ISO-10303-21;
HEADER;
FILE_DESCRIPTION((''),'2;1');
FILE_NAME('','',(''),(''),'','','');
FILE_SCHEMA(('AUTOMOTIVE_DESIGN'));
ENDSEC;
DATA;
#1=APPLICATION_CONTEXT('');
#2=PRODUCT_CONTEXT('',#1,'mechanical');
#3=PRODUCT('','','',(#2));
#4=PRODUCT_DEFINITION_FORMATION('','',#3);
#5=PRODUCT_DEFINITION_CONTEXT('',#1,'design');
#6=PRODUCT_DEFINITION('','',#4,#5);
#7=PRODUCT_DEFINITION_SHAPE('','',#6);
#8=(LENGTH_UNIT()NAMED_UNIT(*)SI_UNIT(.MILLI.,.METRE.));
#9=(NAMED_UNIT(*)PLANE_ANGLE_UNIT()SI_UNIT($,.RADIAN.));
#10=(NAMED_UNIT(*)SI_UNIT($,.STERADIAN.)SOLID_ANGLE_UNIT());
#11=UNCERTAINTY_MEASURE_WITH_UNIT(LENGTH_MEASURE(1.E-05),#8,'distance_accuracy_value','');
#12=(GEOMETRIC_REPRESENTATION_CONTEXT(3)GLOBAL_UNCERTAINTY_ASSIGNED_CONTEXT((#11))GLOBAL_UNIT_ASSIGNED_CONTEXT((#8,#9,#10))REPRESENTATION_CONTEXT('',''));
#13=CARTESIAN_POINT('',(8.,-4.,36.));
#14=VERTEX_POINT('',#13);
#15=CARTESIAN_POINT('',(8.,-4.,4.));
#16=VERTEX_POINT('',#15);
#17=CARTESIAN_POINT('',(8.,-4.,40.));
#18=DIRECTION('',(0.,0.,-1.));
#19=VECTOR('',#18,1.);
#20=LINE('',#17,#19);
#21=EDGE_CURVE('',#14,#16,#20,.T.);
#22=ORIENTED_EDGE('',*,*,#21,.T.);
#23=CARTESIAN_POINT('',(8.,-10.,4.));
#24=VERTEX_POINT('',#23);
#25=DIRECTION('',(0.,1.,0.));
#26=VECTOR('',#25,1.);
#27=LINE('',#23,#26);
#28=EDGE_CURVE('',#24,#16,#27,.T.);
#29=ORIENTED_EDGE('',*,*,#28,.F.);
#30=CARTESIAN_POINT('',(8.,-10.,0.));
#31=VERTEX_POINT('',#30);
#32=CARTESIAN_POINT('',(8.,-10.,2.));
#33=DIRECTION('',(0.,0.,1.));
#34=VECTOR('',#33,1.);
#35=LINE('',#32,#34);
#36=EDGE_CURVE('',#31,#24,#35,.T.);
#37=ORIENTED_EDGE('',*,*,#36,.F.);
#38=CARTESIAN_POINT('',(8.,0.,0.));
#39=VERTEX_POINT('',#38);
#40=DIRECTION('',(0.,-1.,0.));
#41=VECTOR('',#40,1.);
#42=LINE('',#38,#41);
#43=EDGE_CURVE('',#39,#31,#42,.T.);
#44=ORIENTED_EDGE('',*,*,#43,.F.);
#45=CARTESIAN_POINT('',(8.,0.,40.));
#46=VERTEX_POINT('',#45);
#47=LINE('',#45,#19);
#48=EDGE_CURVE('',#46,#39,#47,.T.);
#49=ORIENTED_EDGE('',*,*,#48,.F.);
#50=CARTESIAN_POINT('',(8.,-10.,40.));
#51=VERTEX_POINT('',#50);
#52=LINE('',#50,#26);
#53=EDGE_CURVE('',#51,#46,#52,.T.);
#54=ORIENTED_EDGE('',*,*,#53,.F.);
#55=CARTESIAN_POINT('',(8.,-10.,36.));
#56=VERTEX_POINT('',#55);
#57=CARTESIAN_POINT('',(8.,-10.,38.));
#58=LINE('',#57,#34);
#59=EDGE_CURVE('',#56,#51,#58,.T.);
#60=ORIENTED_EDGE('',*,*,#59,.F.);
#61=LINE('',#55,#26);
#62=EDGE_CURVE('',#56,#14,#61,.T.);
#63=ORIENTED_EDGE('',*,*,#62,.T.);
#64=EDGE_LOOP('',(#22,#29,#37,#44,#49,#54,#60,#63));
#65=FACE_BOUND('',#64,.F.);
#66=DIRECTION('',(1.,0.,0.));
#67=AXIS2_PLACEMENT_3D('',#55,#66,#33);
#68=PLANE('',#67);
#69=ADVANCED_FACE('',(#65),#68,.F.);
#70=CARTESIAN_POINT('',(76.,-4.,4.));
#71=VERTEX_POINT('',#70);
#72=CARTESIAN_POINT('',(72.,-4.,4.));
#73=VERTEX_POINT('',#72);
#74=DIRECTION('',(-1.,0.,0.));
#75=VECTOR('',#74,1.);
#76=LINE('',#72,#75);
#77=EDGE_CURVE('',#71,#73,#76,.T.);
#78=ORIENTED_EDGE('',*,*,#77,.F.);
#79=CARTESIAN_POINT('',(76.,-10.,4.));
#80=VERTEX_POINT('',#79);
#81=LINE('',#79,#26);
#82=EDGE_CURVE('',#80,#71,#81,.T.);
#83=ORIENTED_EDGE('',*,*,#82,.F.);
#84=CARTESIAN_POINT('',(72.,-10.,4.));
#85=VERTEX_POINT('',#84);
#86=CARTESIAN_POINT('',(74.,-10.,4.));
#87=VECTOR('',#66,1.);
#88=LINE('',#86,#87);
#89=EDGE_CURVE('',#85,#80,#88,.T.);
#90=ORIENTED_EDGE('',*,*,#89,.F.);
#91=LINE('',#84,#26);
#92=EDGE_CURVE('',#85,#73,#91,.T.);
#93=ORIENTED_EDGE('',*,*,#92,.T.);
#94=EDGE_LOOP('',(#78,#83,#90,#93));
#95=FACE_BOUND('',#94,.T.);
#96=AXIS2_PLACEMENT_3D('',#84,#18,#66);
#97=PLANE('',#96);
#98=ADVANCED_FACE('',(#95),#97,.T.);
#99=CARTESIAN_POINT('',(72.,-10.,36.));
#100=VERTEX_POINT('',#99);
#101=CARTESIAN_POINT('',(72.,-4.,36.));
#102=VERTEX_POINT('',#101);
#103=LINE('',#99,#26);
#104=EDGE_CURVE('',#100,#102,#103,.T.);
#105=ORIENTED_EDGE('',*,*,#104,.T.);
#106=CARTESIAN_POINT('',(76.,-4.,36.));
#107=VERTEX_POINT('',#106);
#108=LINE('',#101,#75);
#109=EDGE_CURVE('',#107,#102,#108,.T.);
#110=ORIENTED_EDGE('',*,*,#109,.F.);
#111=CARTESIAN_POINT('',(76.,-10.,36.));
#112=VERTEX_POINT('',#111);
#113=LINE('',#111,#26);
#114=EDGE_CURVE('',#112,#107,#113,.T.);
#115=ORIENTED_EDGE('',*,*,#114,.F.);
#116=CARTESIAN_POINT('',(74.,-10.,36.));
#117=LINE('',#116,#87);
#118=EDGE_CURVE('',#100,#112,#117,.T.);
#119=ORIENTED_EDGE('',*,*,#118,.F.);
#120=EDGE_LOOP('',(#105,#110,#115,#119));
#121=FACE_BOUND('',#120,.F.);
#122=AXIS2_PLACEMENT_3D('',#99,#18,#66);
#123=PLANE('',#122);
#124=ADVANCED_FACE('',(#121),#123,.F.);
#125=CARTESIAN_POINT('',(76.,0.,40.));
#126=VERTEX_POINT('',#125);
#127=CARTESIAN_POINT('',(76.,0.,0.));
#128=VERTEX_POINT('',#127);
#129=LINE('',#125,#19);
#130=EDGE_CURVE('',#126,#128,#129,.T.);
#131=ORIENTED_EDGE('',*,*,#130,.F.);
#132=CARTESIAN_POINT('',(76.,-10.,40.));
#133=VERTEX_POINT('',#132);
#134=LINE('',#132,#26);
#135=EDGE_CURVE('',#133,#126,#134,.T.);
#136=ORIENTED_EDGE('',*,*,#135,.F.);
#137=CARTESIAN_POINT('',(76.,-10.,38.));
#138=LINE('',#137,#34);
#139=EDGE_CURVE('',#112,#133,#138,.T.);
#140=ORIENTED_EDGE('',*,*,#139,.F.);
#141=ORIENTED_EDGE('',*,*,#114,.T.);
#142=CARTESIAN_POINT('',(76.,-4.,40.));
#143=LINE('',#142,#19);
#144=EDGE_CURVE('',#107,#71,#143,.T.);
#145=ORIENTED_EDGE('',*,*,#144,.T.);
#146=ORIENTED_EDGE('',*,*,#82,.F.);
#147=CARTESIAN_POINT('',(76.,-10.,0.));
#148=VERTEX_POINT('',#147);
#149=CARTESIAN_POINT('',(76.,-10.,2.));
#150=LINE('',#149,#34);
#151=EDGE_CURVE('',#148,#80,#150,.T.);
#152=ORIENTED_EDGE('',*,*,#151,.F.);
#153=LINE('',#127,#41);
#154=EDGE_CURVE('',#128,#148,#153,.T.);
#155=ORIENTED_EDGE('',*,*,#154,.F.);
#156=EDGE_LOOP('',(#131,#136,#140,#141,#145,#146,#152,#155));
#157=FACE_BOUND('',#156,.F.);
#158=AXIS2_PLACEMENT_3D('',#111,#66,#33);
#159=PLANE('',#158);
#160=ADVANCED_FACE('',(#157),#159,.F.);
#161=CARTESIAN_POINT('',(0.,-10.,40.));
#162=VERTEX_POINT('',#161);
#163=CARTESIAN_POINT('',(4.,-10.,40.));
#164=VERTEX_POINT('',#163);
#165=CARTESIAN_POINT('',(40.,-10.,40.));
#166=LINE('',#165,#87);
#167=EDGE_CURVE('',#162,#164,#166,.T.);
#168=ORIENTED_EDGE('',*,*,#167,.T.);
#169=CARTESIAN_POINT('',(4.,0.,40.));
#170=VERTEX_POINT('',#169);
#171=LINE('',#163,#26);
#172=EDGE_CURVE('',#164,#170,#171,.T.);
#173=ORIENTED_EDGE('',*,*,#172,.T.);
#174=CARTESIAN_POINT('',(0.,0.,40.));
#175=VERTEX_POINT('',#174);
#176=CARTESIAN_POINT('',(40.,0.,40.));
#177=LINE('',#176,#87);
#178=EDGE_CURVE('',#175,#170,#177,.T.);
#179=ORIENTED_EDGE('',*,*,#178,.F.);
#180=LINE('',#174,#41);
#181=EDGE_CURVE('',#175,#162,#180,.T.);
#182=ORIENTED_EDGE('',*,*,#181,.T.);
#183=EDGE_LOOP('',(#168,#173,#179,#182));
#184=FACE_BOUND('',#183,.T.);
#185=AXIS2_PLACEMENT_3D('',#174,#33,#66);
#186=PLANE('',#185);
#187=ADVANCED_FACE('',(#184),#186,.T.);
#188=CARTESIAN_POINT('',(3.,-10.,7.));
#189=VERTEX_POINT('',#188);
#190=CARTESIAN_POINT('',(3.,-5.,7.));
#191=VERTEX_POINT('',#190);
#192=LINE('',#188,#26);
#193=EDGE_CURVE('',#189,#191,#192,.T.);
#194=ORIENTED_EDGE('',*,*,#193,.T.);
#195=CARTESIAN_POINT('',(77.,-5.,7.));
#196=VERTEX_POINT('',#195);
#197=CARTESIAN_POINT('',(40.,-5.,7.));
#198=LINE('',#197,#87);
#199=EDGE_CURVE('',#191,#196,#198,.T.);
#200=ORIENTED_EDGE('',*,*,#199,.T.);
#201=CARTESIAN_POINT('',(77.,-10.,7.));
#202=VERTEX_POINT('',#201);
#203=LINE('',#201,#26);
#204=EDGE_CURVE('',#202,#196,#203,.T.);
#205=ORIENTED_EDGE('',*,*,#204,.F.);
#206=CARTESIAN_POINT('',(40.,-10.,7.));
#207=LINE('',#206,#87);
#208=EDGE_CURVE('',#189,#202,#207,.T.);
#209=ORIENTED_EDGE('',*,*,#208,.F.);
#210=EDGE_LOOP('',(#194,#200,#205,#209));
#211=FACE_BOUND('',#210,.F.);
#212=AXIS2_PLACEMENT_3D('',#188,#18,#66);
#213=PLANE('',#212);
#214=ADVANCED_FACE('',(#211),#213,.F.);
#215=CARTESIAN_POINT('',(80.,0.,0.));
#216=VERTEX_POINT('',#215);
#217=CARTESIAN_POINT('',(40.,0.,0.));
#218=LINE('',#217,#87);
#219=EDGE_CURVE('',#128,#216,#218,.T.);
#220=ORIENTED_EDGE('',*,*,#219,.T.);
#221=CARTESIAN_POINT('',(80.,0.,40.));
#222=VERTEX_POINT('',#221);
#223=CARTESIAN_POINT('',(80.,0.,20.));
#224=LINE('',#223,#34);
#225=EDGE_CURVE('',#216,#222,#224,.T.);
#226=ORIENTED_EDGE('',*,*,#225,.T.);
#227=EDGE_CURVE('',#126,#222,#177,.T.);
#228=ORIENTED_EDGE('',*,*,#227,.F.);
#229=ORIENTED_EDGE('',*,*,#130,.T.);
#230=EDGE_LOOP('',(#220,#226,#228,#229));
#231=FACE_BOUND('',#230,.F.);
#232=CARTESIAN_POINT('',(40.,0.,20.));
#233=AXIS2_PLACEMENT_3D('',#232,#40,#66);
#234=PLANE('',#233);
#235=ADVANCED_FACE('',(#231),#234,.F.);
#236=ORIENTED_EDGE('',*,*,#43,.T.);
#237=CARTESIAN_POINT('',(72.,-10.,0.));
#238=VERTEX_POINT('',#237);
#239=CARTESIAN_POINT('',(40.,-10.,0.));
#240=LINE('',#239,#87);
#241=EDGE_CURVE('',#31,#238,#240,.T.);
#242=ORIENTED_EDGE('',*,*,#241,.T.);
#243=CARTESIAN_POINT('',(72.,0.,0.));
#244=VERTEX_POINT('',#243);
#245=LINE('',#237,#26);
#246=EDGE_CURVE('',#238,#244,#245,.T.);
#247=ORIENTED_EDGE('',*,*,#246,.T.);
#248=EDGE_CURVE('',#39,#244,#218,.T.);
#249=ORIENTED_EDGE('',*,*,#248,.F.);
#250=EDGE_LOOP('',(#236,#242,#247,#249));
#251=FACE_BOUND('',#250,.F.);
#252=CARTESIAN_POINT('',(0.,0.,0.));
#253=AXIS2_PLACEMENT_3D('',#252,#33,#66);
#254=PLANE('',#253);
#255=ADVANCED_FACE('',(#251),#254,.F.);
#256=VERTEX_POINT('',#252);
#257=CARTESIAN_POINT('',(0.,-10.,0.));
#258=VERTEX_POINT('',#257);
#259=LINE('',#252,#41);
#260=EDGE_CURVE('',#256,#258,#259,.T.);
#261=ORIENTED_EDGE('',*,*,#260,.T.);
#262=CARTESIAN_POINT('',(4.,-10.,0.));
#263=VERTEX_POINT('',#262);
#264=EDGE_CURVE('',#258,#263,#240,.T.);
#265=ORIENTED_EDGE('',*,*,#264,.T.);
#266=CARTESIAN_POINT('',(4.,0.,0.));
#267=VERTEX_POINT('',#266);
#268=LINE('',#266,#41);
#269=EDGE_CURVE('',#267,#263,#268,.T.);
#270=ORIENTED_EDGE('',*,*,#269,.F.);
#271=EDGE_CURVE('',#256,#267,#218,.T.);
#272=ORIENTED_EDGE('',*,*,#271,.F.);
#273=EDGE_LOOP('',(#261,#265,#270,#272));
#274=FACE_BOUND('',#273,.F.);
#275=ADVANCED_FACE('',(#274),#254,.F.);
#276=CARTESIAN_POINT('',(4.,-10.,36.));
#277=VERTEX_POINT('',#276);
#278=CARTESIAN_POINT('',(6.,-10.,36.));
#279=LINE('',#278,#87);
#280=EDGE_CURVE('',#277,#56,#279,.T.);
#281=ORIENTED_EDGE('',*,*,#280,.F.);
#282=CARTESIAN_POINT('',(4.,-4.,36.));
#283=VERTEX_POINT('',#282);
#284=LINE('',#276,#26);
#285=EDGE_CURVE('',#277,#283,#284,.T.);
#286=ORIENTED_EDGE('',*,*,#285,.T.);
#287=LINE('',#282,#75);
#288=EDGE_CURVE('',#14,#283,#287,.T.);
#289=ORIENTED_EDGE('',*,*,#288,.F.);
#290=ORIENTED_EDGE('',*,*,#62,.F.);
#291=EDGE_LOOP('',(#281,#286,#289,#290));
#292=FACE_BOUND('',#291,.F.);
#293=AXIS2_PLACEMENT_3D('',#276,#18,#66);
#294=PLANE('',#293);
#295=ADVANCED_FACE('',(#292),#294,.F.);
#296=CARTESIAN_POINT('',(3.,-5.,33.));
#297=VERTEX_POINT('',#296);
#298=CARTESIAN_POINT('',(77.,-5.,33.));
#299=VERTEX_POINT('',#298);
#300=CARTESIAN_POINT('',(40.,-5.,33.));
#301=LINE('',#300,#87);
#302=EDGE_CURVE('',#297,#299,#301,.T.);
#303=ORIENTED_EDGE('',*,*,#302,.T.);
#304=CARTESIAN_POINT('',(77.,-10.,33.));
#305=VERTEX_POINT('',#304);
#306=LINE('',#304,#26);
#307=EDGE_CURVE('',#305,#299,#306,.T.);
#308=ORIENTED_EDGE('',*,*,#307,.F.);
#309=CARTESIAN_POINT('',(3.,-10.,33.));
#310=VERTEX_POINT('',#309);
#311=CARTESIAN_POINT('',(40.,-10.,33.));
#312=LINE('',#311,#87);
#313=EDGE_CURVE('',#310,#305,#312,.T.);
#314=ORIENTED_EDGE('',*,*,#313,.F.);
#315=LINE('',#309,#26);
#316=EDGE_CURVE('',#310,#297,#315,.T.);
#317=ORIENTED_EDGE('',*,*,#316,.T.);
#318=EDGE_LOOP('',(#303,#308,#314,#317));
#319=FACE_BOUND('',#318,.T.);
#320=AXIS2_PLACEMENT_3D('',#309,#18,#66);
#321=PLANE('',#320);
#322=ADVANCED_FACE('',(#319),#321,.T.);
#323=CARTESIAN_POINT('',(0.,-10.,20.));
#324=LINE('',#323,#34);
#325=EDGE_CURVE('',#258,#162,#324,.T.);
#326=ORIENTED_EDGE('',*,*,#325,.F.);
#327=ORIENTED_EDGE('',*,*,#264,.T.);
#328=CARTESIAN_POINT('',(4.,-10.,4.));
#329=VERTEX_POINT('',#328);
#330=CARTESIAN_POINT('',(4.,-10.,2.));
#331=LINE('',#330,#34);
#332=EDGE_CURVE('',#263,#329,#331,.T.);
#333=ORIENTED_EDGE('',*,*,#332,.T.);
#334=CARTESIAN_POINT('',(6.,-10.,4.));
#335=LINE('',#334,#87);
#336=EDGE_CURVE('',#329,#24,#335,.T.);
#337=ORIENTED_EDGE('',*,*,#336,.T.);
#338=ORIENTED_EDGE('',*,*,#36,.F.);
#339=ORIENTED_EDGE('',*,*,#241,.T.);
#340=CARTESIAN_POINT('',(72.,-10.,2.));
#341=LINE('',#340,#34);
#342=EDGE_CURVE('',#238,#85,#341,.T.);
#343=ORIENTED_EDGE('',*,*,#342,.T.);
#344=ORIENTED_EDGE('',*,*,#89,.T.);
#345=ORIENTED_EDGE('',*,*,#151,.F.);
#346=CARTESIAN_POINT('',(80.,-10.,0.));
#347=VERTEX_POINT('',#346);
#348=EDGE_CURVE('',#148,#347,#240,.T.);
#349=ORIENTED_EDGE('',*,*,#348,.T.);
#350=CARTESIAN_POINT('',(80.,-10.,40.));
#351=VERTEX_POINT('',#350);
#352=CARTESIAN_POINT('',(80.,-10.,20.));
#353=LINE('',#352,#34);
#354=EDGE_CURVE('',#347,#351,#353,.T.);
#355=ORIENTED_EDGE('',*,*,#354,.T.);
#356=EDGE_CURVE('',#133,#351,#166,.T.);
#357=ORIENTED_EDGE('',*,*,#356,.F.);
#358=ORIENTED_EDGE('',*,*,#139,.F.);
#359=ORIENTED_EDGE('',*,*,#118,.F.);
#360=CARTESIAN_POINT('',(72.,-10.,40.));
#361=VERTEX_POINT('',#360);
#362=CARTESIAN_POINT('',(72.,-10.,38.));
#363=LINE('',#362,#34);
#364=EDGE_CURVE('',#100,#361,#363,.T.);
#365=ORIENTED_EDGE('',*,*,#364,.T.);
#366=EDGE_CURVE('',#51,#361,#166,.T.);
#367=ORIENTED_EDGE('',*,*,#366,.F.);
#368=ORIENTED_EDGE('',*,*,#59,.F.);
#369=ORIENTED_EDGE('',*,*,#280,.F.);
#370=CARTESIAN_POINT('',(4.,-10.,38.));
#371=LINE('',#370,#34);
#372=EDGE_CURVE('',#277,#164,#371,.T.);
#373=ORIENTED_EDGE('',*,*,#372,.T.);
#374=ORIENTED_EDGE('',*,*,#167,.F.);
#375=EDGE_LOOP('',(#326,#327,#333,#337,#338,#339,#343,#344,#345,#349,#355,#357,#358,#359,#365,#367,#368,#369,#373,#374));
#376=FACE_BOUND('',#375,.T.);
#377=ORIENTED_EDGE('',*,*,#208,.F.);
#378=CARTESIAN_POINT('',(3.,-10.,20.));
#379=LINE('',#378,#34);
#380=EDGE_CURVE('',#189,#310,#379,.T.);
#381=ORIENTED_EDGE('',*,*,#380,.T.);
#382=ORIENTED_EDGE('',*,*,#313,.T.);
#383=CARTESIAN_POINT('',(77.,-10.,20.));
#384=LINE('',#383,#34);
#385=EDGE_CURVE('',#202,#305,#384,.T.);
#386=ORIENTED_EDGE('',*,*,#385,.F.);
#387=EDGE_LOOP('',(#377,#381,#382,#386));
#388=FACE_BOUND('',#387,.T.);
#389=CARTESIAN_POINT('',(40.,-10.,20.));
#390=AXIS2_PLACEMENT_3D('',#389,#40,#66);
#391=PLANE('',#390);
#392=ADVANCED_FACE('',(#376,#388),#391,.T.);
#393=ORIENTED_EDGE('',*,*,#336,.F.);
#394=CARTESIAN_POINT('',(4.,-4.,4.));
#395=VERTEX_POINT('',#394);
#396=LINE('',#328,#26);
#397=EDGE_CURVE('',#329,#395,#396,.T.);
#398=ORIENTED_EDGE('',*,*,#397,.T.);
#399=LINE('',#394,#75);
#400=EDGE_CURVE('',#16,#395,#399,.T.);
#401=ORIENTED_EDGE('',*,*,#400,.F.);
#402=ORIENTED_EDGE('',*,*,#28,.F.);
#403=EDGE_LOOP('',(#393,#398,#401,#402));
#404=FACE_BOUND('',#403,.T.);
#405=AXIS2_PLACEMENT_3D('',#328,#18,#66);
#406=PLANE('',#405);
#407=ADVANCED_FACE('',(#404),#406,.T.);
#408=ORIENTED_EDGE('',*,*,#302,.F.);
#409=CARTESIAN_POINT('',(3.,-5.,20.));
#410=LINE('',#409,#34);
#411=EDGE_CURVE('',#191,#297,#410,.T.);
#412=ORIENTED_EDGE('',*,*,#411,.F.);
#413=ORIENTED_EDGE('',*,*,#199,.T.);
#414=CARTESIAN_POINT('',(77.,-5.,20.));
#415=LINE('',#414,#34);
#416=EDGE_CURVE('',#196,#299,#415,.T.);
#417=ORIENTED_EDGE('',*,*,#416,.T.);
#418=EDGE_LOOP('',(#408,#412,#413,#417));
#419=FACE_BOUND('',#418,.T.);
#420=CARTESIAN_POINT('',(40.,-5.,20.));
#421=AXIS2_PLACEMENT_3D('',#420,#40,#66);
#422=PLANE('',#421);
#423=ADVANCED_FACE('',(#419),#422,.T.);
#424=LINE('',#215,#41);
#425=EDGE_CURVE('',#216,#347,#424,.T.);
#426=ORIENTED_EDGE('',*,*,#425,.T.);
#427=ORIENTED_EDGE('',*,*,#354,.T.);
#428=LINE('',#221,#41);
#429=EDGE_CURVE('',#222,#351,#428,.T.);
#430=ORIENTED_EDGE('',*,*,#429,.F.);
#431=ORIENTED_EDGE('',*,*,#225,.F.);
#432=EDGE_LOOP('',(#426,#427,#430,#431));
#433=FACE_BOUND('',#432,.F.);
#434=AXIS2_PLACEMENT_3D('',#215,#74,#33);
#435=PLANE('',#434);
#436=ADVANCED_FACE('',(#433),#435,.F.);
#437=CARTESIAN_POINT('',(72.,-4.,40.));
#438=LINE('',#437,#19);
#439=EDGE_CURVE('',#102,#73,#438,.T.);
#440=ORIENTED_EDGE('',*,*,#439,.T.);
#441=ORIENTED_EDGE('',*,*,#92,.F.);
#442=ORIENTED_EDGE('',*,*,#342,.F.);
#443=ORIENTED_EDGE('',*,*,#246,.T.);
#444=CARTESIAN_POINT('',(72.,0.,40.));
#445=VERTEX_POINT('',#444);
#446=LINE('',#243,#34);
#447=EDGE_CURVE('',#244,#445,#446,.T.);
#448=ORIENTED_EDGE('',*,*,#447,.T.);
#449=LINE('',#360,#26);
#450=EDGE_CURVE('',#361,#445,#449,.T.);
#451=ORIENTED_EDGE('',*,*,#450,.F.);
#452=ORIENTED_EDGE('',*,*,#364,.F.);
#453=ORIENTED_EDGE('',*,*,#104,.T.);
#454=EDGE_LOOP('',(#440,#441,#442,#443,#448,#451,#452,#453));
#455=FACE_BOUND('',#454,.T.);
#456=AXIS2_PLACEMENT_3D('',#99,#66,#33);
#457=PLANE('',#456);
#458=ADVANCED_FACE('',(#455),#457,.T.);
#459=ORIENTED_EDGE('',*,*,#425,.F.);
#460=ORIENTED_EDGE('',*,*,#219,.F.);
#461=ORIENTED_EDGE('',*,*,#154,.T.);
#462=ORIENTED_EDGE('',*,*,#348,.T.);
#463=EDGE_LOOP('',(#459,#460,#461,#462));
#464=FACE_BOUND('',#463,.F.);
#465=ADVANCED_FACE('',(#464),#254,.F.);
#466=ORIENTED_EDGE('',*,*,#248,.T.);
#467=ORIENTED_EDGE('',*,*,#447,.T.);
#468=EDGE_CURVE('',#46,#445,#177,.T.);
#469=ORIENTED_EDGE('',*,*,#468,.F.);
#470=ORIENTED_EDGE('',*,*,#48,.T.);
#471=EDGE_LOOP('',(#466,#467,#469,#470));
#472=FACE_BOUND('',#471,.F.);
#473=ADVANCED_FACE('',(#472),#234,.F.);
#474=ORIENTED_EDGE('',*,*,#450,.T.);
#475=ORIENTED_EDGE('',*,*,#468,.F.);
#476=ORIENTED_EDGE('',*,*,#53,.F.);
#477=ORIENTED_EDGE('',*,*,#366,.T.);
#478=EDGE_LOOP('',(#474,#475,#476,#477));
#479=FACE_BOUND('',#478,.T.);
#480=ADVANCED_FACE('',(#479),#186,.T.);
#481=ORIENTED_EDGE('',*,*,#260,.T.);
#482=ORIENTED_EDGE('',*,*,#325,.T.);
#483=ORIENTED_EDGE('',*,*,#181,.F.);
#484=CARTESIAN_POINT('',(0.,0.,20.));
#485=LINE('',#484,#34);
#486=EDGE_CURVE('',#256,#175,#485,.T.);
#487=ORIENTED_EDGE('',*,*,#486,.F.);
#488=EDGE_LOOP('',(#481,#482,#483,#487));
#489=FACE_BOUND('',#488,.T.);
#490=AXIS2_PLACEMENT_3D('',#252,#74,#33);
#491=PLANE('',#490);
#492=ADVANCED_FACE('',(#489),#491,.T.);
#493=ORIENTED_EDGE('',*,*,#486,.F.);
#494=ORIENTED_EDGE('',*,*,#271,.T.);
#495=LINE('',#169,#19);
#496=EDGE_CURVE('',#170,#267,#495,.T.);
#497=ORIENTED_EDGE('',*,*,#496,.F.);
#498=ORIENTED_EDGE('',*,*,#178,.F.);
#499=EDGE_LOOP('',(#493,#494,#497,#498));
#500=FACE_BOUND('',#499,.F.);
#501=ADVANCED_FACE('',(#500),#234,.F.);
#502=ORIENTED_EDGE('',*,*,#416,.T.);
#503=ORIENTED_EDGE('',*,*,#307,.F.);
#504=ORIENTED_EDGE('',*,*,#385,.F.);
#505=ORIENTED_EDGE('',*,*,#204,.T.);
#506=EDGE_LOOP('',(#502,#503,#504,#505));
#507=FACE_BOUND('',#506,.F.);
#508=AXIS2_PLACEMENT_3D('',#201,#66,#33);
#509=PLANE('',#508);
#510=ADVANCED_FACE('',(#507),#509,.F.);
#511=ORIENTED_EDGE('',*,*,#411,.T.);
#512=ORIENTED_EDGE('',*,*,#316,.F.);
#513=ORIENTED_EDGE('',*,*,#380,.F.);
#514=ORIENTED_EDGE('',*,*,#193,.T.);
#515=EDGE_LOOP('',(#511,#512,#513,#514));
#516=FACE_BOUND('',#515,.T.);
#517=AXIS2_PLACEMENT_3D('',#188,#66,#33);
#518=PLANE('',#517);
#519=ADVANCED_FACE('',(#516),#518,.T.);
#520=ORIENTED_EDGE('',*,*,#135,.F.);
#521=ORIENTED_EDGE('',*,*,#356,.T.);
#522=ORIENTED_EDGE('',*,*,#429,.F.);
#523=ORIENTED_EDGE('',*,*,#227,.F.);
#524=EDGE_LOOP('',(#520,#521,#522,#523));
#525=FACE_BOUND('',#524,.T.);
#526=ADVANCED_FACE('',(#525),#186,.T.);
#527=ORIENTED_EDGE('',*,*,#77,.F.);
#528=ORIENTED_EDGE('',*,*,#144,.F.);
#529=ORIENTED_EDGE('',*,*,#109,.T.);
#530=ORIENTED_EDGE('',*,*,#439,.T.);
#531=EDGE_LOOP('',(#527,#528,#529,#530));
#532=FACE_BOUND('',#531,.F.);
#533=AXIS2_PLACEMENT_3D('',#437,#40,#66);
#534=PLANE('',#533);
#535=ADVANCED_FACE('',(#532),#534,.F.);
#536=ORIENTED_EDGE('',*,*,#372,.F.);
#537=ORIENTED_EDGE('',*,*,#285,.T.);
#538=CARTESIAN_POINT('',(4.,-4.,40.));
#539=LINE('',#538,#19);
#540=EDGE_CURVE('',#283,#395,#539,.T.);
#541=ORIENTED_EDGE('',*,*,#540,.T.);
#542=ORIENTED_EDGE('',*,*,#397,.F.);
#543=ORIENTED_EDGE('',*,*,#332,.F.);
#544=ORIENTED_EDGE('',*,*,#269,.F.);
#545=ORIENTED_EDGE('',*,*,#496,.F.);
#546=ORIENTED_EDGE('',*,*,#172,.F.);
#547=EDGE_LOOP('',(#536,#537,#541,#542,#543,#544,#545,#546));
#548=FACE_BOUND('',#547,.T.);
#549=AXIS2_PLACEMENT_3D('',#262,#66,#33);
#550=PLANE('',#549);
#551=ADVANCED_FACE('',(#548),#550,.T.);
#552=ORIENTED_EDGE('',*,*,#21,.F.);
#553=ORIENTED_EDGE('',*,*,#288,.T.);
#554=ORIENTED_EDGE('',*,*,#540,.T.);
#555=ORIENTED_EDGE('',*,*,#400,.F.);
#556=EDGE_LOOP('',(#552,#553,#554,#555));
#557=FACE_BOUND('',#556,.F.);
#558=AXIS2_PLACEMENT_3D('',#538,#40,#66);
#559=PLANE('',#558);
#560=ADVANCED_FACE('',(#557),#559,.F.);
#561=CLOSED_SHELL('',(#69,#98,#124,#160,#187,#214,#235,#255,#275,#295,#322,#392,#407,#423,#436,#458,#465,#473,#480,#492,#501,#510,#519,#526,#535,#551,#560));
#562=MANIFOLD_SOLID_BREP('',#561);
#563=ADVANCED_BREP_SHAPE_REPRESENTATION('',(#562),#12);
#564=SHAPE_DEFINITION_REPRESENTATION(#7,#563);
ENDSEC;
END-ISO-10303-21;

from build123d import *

# Parameters (mm, degrees)
F0_W     = 80
F0_H     = 40
F1_DEPTH = 10
F2_W     = 74
F2_H     = 26
F3_DEPTH = 5
F4_W     = 4
F4_H     = 4
F5_DEPTH = 25.4
F6_W     = 4
F6_H     = 4
F7_DEPTH = 50.8


with BuildPart() as f1:
    # F0 (on Front) → F1 (new body)
    with BuildSketch(Plane.XZ):
        with Locations((40, 20)):
            Rectangle(F0_W, F0_H)
    extrude(amount=F1_DEPTH)

    # F2 (on face) → F3 (cut)
    with BuildSketch(Plane.XZ.offset(10)):
        with Locations((40, 20)):
            Rectangle(F2_W, F2_H)
    extrude(amount=-F3_DEPTH, mode=Mode.SUBTRACT)

    # F4 (on face) → F5 (cut)
    with BuildSketch(Plane.XZ.offset(10)):
        with Locations((6, 38)):
            Rectangle(F4_W, F4_H)
        with Locations((74, 38)):
            Rectangle(F4_W, F4_H)
        with Locations((74, 2)):
            Rectangle(F4_W, F4_H)
        with Locations((6, 2)):
            Rectangle(F4_W, F4_H)
    extrude(amount=-F5_DEPTH, mode=Mode.SUBTRACT)

    # F6 (on face) → F7 (cut)
    with BuildSketch(Plane.XY.offset(40)):
        with Locations((6, -2)):
            Rectangle(F6_W, F6_H)
        with Locations((74, -2)):
            Rectangle(F6_W, F6_H)
    extrude(amount=-F7_DEPTH, mode=Mode.SUBTRACT)


solid = f1.part
